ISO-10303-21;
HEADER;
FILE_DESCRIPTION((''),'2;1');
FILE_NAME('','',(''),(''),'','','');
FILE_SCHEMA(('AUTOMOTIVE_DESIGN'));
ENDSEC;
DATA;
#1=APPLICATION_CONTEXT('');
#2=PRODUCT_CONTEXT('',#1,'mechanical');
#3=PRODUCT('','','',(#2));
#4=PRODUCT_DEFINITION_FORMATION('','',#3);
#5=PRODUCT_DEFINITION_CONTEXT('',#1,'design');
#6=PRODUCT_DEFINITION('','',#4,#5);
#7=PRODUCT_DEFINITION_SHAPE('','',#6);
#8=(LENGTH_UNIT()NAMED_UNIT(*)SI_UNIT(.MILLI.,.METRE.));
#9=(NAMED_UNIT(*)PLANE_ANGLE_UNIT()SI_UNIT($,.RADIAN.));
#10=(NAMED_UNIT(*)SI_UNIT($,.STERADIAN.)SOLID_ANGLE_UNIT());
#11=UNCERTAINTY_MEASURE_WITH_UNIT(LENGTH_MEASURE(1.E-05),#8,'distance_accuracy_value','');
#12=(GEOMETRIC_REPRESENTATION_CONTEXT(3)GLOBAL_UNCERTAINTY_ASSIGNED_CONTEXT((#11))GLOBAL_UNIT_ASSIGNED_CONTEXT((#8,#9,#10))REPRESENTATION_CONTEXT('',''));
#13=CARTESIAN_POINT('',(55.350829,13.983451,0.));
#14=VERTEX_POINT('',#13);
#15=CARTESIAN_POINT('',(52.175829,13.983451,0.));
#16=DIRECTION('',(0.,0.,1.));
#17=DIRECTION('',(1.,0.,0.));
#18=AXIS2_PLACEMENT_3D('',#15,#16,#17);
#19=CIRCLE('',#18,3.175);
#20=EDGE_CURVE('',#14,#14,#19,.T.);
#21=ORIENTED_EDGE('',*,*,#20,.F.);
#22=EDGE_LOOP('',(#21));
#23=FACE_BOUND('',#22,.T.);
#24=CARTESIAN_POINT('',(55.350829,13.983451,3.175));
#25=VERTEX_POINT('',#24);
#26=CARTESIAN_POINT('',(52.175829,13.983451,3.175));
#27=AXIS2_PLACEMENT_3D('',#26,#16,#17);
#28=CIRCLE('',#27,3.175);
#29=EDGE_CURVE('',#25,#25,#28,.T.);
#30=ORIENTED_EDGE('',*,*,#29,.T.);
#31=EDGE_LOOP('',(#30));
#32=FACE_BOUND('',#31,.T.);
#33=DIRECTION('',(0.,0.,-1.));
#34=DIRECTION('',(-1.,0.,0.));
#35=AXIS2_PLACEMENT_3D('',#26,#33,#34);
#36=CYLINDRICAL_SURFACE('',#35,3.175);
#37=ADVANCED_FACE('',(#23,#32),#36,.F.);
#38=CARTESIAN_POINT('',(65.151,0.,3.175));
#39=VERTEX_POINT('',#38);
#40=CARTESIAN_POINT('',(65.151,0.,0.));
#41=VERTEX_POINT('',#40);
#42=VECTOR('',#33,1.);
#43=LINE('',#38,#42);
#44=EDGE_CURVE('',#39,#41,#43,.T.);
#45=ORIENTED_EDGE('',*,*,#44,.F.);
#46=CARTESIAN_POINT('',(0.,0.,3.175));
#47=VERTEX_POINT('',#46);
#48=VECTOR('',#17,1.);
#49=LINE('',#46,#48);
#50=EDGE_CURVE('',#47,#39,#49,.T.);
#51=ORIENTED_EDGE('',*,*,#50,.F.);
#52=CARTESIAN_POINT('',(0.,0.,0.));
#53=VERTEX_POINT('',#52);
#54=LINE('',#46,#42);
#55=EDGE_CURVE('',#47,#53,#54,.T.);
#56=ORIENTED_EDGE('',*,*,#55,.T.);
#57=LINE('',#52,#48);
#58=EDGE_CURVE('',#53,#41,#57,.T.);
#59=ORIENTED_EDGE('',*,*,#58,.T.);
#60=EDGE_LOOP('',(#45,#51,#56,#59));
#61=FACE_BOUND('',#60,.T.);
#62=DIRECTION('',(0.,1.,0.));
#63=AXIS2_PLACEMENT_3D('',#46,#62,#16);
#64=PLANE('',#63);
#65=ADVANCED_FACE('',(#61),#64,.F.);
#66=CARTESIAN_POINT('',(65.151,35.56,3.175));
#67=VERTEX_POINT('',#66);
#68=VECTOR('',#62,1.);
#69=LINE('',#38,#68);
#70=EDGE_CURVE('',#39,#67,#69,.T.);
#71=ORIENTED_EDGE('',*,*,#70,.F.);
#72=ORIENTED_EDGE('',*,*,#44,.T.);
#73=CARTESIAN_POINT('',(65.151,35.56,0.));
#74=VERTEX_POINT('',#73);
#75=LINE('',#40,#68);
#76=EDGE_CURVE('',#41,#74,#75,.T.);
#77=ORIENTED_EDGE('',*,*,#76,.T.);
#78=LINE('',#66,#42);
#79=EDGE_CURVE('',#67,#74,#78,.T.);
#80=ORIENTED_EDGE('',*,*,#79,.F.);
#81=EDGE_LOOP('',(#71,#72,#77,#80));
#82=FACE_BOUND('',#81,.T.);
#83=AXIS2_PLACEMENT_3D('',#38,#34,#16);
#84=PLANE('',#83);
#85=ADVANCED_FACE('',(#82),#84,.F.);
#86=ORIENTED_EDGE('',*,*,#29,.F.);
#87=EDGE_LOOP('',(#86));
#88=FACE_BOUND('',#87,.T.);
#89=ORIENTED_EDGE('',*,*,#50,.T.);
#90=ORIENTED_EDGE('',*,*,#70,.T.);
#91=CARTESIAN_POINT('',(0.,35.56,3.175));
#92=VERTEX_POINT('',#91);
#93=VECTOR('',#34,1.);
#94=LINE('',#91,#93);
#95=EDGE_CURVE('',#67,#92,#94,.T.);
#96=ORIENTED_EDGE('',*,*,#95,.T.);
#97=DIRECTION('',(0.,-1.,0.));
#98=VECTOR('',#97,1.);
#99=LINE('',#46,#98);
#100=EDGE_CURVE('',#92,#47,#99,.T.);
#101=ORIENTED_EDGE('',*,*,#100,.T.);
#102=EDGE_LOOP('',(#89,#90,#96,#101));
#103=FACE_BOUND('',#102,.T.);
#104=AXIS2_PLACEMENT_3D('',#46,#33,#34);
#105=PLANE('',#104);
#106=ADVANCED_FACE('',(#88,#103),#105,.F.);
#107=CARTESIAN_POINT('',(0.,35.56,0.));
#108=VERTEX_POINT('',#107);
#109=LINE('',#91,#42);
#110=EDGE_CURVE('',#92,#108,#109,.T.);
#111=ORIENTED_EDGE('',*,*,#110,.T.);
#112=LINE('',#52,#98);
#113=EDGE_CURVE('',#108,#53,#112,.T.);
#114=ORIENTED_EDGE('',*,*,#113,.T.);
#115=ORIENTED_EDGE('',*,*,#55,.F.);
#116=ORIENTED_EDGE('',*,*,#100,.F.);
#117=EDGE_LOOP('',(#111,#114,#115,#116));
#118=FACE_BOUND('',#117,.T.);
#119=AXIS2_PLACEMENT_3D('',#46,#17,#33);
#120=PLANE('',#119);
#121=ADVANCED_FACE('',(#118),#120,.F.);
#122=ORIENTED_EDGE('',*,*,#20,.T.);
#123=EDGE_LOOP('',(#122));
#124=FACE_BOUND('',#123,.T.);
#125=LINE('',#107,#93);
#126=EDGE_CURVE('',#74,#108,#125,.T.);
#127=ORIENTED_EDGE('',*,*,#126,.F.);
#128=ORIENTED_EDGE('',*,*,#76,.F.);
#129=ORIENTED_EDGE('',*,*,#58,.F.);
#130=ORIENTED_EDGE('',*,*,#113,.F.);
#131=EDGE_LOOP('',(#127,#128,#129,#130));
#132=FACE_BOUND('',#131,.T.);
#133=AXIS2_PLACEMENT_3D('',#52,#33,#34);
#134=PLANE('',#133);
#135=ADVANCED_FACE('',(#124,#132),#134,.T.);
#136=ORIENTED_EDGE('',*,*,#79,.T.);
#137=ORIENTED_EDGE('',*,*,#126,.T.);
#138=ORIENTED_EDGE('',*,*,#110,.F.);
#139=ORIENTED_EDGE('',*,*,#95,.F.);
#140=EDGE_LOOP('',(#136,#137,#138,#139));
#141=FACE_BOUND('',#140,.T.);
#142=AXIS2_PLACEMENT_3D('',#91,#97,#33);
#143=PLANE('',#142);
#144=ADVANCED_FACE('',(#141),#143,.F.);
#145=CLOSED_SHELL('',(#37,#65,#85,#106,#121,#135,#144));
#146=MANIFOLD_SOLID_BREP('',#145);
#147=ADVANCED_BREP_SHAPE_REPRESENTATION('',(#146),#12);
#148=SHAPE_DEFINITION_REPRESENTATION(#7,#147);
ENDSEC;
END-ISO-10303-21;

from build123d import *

# Parameters (mm, degrees)
SKETCH1_W           = 65.151
SKETCH1_H           = 35.56
SKETCH1_R           = 3.175
BOSS_EXTRUDE1_DEPTH = 3.175


with BuildPart() as part:
    # Sketch1 → Boss-Extrude1 (new body)
    with BuildSketch(Plane.XY):
        with Locations((32.5755, 17.78)):
            Rectangle(SKETCH1_W, SKETCH1_H)
        with Locations((52.175829049, 13.983451248)):
            Circle(SKETCH1_R, mode=Mode.SUBTRACT)
    extrude(amount=BOSS_EXTRUDE1_DEPTH)


solid = part.part
